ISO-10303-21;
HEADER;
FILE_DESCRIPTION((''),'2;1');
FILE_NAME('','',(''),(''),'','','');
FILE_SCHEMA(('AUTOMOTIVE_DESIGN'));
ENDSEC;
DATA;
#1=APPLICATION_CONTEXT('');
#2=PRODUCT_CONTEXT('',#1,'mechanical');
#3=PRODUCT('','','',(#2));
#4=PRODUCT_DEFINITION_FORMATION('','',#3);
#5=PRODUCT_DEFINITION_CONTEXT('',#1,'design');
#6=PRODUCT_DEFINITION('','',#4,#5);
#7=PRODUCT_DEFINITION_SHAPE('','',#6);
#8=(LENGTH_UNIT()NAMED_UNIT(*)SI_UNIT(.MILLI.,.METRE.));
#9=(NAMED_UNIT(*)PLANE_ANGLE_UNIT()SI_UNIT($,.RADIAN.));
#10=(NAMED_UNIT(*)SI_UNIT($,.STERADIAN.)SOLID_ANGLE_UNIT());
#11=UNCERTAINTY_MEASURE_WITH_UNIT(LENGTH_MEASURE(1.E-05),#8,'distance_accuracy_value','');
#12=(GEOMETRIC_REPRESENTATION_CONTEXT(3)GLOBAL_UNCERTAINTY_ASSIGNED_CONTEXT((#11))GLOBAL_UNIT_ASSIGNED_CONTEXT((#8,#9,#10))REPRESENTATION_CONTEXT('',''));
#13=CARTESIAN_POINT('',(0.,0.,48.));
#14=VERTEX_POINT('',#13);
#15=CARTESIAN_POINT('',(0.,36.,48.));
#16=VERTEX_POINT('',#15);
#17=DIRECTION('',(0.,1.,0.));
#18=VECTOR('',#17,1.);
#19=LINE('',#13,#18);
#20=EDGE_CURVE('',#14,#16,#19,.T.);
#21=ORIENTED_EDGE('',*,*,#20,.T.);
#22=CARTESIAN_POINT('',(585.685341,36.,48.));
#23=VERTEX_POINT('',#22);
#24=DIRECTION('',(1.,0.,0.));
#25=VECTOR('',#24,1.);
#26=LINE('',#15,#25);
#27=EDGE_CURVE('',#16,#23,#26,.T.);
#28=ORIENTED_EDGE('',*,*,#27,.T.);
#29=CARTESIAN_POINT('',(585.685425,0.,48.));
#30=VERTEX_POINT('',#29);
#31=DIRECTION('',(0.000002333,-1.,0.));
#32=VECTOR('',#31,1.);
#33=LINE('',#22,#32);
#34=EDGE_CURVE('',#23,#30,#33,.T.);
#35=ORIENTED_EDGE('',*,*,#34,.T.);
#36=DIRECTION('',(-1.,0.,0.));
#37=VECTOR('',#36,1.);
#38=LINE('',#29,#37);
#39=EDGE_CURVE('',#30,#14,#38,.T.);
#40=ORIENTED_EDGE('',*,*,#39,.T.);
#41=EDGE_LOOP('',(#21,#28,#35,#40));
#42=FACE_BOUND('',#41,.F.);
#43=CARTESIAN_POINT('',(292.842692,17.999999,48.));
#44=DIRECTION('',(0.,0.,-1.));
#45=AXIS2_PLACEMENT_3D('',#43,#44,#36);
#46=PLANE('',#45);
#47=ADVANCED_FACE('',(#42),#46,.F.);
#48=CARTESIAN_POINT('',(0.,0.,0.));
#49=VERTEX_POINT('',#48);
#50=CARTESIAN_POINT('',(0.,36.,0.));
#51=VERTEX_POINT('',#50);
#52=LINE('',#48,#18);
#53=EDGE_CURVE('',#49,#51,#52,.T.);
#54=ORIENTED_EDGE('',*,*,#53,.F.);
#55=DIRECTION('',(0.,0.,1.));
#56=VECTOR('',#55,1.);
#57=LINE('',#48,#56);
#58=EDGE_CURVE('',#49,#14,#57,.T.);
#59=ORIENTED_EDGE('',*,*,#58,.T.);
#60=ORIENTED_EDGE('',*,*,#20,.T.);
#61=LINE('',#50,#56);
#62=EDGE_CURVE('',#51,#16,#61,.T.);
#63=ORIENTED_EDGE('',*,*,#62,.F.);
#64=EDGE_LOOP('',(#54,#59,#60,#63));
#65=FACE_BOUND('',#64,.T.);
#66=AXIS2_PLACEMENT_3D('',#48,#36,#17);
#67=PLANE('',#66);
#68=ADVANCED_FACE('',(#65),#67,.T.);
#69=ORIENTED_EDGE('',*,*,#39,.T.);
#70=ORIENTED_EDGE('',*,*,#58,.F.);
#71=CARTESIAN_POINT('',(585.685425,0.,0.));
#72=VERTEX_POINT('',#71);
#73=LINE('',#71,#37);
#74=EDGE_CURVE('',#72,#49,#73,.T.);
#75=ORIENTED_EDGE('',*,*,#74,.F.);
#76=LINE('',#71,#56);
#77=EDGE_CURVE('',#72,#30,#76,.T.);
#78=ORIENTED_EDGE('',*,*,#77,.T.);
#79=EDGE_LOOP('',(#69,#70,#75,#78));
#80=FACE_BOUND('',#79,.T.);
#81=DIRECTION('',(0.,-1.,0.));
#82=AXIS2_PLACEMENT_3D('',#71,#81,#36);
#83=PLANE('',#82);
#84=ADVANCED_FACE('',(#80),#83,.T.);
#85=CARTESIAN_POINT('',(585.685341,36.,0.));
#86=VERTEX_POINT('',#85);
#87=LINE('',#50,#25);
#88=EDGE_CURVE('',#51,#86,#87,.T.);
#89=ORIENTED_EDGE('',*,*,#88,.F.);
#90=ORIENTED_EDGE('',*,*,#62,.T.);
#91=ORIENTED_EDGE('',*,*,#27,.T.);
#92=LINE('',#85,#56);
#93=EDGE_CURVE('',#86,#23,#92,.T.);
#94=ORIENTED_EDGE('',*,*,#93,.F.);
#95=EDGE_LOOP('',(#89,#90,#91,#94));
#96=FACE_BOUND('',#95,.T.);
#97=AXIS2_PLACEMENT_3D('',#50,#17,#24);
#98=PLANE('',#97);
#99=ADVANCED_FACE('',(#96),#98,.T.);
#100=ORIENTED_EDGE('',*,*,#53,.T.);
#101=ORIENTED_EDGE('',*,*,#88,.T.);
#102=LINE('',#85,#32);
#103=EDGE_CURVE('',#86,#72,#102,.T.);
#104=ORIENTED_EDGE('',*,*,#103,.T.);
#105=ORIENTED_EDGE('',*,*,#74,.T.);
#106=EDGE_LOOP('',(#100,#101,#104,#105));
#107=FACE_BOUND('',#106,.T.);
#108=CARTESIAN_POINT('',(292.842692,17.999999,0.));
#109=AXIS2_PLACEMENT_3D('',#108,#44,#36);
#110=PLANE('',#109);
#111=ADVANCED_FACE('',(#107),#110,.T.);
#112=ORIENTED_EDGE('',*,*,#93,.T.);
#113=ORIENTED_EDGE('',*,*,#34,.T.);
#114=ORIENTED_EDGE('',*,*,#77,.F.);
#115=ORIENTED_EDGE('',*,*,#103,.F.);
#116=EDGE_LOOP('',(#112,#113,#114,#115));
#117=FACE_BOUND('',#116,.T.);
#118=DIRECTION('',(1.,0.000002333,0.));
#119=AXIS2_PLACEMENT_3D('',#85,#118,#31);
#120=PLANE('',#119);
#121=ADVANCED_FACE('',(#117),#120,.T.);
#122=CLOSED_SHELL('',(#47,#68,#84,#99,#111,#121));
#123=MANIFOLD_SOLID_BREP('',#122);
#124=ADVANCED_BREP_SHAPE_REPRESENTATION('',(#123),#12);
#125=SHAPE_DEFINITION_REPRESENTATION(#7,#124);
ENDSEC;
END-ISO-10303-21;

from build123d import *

# Parameters (mm, degrees)
EXTRUDE_DEPTH = 48


with BuildPart() as part:
    # Sketch → Extrude (new body)
    with BuildSketch(Plane.XY):
        Polygon((0, 0), (0, 36), (585.685341, 36), (585.685425, 0), align=None)
    extrude(amount=EXTRUDE_DEPTH)


solid = part.part
